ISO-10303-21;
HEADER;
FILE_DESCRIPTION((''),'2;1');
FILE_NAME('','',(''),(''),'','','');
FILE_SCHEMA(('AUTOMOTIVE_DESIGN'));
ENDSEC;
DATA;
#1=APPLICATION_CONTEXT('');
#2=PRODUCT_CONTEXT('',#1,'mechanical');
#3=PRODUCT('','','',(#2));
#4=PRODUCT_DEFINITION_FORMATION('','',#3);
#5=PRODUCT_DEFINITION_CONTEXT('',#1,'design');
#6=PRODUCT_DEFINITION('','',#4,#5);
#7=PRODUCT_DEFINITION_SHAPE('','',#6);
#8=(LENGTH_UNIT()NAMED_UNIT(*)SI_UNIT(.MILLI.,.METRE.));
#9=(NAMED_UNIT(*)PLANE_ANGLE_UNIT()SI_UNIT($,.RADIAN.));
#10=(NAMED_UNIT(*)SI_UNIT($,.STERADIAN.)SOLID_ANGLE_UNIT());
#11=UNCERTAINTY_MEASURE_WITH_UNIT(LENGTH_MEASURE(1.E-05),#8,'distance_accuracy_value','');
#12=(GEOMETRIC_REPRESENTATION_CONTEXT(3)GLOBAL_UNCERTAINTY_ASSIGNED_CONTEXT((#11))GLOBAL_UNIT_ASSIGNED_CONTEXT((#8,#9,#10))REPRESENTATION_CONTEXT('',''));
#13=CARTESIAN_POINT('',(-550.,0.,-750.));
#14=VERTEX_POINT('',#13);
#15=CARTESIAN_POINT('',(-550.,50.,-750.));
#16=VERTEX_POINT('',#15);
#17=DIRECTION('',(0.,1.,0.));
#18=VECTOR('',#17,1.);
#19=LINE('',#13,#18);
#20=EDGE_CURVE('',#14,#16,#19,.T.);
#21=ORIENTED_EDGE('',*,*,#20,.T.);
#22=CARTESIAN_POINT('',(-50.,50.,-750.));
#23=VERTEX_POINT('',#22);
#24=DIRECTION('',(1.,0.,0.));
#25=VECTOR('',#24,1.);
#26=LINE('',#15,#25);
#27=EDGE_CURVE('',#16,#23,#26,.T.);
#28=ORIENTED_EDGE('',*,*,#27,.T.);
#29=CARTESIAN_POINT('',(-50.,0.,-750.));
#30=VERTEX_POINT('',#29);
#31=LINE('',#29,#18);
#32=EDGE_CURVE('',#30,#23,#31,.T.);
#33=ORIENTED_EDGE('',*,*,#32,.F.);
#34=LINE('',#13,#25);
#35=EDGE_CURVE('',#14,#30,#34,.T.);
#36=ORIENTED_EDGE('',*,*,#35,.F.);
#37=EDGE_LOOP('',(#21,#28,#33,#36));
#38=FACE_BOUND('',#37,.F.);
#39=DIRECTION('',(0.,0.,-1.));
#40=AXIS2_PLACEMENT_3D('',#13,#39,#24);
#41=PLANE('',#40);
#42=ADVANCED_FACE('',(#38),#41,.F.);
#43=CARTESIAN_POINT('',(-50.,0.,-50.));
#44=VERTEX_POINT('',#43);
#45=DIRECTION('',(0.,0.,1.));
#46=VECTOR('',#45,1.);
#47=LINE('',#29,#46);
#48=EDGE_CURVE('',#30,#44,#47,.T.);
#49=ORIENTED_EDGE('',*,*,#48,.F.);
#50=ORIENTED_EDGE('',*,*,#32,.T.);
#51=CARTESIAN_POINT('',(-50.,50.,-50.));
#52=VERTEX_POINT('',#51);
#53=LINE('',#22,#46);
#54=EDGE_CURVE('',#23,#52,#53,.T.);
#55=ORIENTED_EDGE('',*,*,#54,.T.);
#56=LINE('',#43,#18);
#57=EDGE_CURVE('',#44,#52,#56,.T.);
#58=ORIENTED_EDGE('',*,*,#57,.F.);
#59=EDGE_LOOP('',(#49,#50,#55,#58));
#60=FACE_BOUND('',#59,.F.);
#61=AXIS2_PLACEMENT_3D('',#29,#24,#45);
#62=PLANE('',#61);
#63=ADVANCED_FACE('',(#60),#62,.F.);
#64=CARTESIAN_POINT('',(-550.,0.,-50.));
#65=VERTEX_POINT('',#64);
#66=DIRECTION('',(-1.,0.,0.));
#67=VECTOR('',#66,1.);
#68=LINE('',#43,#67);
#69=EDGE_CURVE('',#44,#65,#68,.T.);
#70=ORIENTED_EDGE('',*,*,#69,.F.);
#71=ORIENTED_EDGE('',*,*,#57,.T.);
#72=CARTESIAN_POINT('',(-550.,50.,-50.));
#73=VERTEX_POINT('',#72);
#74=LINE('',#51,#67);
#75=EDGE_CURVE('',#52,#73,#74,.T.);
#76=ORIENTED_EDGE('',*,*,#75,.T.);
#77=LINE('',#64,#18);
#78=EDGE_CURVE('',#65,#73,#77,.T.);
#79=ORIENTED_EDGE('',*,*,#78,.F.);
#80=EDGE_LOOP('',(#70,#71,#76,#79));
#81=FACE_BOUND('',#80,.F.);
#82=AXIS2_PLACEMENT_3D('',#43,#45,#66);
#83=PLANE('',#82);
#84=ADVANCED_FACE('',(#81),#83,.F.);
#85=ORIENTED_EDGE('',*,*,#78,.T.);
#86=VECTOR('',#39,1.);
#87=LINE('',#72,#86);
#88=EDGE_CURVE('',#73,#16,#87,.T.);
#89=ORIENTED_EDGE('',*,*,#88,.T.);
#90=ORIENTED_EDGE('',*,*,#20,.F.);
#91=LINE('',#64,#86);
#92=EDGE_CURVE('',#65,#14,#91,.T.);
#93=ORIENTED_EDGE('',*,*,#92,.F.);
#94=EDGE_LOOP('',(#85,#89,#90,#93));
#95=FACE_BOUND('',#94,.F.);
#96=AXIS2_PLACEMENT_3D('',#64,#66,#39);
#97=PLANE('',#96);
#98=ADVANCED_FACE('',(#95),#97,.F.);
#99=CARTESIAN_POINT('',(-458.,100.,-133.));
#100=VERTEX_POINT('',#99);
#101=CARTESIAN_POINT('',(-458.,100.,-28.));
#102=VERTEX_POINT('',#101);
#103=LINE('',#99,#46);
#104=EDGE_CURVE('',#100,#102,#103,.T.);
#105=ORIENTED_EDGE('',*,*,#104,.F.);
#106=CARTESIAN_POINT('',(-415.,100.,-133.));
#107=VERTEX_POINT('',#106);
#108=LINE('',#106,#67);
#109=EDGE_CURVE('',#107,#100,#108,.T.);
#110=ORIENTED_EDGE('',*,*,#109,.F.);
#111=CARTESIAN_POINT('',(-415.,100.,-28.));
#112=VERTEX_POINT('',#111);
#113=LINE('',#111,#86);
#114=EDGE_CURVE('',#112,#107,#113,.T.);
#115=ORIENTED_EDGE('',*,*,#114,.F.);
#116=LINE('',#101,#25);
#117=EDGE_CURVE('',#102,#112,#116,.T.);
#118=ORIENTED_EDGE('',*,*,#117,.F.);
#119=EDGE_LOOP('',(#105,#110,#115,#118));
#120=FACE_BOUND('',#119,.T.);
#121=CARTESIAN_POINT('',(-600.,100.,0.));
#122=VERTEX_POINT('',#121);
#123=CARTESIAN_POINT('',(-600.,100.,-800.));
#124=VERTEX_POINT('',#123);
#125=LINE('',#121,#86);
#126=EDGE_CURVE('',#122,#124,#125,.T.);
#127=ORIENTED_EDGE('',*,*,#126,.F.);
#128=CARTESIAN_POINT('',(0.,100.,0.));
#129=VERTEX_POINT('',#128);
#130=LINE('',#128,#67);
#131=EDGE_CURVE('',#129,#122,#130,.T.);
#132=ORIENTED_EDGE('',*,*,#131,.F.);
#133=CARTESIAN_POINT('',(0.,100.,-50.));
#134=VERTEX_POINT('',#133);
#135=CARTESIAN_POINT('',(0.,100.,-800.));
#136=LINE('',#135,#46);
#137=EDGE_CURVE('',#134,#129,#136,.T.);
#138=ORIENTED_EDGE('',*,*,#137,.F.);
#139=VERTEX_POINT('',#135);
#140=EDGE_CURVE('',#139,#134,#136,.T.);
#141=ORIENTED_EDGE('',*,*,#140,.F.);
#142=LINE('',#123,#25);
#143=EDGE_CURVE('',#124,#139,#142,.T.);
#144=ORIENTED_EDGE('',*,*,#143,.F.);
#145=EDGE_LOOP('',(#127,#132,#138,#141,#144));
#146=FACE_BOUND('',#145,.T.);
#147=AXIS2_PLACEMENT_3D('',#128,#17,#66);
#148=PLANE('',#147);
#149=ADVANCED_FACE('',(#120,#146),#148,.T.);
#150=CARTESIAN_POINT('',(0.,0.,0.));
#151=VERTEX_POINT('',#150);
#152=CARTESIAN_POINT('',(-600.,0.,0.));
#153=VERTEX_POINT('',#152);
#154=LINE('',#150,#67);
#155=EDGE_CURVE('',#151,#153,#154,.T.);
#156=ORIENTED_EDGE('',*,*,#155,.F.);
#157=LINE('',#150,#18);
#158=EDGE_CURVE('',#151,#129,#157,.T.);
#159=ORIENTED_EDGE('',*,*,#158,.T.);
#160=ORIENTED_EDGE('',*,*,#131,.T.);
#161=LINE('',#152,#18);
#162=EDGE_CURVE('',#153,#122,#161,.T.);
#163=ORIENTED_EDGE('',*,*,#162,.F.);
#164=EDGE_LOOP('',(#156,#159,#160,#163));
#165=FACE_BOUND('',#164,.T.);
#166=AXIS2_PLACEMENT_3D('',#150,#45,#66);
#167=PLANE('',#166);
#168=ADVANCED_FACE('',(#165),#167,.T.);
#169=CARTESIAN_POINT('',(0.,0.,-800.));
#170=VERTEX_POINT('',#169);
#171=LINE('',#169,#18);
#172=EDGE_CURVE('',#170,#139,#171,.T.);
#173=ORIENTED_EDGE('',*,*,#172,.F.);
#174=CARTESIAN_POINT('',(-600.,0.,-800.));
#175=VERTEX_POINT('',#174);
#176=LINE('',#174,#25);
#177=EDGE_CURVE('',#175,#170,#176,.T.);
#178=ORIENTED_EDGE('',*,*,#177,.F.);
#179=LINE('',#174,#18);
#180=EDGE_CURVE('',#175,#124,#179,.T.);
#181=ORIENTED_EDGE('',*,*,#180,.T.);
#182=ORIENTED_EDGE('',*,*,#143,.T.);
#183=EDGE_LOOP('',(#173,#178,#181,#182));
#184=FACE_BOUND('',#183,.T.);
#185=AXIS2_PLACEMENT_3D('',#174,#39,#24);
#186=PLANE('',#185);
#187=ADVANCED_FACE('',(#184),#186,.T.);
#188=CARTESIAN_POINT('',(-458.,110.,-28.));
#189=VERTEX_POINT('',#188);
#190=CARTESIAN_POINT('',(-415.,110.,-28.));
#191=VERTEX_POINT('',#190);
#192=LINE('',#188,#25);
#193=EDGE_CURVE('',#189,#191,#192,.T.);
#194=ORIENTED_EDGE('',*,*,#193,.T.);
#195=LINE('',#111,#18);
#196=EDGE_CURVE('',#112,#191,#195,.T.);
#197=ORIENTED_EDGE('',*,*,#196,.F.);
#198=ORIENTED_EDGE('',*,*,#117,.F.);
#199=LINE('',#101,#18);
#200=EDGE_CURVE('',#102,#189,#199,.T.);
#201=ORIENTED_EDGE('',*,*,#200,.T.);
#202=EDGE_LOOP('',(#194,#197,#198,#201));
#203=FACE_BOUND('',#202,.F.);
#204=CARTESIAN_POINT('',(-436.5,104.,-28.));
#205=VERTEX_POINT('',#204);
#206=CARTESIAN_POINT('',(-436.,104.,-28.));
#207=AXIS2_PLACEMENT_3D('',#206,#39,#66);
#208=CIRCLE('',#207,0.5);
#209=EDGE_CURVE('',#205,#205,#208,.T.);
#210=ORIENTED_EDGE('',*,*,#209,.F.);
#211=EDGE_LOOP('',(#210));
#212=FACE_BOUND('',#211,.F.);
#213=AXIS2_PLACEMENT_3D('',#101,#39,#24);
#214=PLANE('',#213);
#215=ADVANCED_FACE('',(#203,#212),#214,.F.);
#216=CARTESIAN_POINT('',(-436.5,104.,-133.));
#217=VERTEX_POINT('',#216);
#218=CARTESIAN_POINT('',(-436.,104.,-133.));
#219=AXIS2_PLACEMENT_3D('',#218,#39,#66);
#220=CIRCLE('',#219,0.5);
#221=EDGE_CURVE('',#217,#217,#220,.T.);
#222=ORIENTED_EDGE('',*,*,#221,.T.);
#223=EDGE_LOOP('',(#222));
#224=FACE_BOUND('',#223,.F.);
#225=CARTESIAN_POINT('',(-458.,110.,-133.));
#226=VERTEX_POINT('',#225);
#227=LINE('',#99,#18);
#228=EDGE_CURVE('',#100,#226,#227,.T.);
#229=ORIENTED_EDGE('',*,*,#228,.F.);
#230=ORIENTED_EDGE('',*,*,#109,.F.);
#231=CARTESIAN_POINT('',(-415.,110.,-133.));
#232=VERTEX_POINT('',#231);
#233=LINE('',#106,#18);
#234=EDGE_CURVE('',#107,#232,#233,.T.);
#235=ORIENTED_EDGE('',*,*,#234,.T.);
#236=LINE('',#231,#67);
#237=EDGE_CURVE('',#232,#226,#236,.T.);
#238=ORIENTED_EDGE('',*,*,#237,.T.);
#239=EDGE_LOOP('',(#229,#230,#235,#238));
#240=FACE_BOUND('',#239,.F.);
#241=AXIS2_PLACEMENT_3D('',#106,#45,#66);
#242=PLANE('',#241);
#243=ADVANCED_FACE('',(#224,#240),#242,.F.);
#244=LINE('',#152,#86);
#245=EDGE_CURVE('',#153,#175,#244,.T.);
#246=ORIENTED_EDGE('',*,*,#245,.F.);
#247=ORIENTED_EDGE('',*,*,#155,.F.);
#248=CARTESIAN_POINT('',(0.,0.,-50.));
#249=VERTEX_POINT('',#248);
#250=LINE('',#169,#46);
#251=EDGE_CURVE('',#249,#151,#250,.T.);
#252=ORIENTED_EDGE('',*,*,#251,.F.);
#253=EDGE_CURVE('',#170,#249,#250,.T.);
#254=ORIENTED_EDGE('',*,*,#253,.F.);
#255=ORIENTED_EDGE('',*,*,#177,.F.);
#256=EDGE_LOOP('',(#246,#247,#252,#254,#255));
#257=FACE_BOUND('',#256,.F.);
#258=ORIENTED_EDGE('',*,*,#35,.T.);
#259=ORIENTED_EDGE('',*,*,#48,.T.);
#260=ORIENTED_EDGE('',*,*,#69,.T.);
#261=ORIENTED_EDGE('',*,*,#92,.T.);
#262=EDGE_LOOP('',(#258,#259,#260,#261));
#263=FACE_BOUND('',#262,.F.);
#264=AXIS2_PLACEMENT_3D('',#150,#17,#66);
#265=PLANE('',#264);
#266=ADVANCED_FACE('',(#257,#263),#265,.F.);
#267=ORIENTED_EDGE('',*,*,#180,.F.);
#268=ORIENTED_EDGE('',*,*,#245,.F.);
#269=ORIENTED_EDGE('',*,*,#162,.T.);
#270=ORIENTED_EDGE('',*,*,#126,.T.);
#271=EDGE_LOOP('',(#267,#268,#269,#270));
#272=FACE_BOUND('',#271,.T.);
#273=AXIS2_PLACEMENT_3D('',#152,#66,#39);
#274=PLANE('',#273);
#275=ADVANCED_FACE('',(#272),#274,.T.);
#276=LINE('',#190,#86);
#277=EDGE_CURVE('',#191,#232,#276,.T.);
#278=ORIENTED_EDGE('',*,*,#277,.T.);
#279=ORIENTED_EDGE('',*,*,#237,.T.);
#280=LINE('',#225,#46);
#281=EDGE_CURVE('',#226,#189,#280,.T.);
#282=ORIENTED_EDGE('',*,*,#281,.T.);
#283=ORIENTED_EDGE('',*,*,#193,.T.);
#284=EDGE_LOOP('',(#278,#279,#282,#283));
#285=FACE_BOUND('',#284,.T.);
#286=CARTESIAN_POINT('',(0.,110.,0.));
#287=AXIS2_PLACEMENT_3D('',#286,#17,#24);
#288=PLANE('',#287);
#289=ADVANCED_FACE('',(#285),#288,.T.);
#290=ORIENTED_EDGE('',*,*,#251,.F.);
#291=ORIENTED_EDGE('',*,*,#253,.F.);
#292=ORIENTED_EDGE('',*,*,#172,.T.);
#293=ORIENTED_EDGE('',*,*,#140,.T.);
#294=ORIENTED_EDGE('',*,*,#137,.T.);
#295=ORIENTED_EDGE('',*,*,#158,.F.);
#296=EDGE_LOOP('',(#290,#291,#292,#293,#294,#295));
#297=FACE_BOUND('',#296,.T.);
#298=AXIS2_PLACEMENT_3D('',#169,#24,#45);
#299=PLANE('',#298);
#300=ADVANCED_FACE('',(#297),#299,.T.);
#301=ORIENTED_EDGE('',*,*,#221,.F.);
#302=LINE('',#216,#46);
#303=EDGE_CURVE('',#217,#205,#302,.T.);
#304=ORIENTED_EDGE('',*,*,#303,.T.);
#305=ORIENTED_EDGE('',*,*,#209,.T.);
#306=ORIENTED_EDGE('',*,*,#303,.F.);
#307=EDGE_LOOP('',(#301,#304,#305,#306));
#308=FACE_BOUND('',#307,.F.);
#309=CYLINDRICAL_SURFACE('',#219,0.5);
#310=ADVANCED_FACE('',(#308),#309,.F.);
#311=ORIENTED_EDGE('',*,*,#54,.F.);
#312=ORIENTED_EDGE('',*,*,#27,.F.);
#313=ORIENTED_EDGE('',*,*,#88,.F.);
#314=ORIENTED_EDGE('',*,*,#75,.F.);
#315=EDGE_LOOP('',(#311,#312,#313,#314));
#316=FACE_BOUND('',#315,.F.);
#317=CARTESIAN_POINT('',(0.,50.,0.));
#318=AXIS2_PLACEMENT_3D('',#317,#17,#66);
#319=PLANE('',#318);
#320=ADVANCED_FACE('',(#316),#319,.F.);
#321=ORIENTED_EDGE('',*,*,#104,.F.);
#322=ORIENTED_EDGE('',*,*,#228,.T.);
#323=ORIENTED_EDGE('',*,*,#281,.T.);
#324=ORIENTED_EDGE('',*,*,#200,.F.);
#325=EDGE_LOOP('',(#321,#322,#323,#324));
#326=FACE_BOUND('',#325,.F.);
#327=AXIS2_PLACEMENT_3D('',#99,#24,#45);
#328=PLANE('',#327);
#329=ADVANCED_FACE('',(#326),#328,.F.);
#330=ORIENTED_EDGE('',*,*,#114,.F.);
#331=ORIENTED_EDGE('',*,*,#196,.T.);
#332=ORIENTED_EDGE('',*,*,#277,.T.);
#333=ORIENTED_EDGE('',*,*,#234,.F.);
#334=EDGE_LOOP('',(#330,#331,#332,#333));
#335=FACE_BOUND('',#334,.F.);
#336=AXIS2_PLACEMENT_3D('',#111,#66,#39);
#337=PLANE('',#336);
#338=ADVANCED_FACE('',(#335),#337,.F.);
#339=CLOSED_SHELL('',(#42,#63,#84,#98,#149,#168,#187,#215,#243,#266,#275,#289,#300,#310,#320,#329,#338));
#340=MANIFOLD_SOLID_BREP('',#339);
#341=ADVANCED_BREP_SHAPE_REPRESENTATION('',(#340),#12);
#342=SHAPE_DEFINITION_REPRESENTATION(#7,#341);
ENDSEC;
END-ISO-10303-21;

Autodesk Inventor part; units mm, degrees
ref_plane "YZ Plane" through (0, 0, 0) normal (1, 0, 0) x (0, 1, 0)
sketch "Sketch1" plane through (0, 0, 0) normal (0, 1, 0) x (-1, 0, 0)
  line L0 (0, 0) -> (600, 0)
  line L1 (600, 0) -> (600, -800)
  line L2 (600, -800) -> (0, -800)
  line L3 (0, -800) -> (0, 0)
  line L4 (0, 0) -> (0, -50)
  line L5 (0, -50) -> (50, -50)
  line L6 (50, -50) -> (550, -50)
  line L7 (550, -50) -> (550, -750)
  line L8 (550, -750) -> (50, -750)
  line L9 (50, -750) -> (50, -50)
  dimension "d0" = 600
  dimension "d1" = 800
  dimension "d2" = 50
  dimension "d3" = 50
  dimension "d4" = 50
  dimension "d5" = 50
extrude "Extrusion1" add sketch "Sketch1" along normal blind 100 contours L6 L7 L8 L9 | L0 L1 L2 L3
extrude "Extrusion2" cut sketch "Sketch1" along normal blind 50 contours L6 L7 L8 L9
sketch "Sketch2" plane through (0, 100, 0) normal (0, 1, 0) x (1, 0, 0)
  line L0 (-600, 800) -> (-600, 0) projected
  line L1 (-600, 800) -> (-600, 700)
  line L2 (-600, 700) -> (-400, 700)
  arc A0 (-337.5, 762.5) -> (-337.5, 637.5) centre (-337.5, 700) ccw
  line L3 (-337.5, 762.5) -> (-50, 762.5)
  line L4 (-50, 750) -> (-550, 750) projected
  line L5 (-50, 762.5) -> (-50, 162.5)
  line L6 (-50, 50) -> (-50, 750) projected
  line L7 (-337.5, 637.5) -> (-175, 637.5)
  line L8 (-175, 637.5) -> (-175, 162.5)
  line L9 (0, 800) -> (-600, 800) projected
  point P0 (0, 0)
  dimension "d10" = 100
  dimension "d11" = 200
  dimension "d12" = 125
  dimension "d13" = 62.5
  dimension "d14" = 600
  dimension "d15" = 125
  dimension "d16" = 100
  dimension "d17" = 287.5
  dimension "d18" = 475
  dimension "d19" = 125
ref_plane "Work Plane1" through (-600, 0, -150) normal (0, 0, 1) x (1, 0, 0)
sketch "Sketch5" plane through (0, 0, 0) normal (1, 0, 0) x (0, 0, -1)
  point P0 (0, 0)
ref_plane "Work Plane2" through (-150, 0, 0) normal (1, 0, 0) x (0, 0, -1)
sketch "Sketch10" plane through (0, 100, 0) normal (0, 1, 0) x (1, 0, 0)
  line L0 (-458, 28) -> (-415, 28)
  line L1 (-415, 28) -> (-415, 133)
  line L2 (-415, 133) -> (-458, 133)
  line L3 (-458, 133) -> (-458, 28)
  point P0 (0, 0)
extrude "Extrusion9" add sketch "Sketch10" along normal blind 10
sketch "Sketch11" plane through (-415, 100, -133) normal (0, 0, -1) x (-1, 0, 0)
  circle A0 centre (21, 4) radius 0.5
  point P0 (-415, -100)
  dimension "d46" = 1
extrude "Extrusion10" cut sketch "Sketch11" against normal through all
properties part number "base"
